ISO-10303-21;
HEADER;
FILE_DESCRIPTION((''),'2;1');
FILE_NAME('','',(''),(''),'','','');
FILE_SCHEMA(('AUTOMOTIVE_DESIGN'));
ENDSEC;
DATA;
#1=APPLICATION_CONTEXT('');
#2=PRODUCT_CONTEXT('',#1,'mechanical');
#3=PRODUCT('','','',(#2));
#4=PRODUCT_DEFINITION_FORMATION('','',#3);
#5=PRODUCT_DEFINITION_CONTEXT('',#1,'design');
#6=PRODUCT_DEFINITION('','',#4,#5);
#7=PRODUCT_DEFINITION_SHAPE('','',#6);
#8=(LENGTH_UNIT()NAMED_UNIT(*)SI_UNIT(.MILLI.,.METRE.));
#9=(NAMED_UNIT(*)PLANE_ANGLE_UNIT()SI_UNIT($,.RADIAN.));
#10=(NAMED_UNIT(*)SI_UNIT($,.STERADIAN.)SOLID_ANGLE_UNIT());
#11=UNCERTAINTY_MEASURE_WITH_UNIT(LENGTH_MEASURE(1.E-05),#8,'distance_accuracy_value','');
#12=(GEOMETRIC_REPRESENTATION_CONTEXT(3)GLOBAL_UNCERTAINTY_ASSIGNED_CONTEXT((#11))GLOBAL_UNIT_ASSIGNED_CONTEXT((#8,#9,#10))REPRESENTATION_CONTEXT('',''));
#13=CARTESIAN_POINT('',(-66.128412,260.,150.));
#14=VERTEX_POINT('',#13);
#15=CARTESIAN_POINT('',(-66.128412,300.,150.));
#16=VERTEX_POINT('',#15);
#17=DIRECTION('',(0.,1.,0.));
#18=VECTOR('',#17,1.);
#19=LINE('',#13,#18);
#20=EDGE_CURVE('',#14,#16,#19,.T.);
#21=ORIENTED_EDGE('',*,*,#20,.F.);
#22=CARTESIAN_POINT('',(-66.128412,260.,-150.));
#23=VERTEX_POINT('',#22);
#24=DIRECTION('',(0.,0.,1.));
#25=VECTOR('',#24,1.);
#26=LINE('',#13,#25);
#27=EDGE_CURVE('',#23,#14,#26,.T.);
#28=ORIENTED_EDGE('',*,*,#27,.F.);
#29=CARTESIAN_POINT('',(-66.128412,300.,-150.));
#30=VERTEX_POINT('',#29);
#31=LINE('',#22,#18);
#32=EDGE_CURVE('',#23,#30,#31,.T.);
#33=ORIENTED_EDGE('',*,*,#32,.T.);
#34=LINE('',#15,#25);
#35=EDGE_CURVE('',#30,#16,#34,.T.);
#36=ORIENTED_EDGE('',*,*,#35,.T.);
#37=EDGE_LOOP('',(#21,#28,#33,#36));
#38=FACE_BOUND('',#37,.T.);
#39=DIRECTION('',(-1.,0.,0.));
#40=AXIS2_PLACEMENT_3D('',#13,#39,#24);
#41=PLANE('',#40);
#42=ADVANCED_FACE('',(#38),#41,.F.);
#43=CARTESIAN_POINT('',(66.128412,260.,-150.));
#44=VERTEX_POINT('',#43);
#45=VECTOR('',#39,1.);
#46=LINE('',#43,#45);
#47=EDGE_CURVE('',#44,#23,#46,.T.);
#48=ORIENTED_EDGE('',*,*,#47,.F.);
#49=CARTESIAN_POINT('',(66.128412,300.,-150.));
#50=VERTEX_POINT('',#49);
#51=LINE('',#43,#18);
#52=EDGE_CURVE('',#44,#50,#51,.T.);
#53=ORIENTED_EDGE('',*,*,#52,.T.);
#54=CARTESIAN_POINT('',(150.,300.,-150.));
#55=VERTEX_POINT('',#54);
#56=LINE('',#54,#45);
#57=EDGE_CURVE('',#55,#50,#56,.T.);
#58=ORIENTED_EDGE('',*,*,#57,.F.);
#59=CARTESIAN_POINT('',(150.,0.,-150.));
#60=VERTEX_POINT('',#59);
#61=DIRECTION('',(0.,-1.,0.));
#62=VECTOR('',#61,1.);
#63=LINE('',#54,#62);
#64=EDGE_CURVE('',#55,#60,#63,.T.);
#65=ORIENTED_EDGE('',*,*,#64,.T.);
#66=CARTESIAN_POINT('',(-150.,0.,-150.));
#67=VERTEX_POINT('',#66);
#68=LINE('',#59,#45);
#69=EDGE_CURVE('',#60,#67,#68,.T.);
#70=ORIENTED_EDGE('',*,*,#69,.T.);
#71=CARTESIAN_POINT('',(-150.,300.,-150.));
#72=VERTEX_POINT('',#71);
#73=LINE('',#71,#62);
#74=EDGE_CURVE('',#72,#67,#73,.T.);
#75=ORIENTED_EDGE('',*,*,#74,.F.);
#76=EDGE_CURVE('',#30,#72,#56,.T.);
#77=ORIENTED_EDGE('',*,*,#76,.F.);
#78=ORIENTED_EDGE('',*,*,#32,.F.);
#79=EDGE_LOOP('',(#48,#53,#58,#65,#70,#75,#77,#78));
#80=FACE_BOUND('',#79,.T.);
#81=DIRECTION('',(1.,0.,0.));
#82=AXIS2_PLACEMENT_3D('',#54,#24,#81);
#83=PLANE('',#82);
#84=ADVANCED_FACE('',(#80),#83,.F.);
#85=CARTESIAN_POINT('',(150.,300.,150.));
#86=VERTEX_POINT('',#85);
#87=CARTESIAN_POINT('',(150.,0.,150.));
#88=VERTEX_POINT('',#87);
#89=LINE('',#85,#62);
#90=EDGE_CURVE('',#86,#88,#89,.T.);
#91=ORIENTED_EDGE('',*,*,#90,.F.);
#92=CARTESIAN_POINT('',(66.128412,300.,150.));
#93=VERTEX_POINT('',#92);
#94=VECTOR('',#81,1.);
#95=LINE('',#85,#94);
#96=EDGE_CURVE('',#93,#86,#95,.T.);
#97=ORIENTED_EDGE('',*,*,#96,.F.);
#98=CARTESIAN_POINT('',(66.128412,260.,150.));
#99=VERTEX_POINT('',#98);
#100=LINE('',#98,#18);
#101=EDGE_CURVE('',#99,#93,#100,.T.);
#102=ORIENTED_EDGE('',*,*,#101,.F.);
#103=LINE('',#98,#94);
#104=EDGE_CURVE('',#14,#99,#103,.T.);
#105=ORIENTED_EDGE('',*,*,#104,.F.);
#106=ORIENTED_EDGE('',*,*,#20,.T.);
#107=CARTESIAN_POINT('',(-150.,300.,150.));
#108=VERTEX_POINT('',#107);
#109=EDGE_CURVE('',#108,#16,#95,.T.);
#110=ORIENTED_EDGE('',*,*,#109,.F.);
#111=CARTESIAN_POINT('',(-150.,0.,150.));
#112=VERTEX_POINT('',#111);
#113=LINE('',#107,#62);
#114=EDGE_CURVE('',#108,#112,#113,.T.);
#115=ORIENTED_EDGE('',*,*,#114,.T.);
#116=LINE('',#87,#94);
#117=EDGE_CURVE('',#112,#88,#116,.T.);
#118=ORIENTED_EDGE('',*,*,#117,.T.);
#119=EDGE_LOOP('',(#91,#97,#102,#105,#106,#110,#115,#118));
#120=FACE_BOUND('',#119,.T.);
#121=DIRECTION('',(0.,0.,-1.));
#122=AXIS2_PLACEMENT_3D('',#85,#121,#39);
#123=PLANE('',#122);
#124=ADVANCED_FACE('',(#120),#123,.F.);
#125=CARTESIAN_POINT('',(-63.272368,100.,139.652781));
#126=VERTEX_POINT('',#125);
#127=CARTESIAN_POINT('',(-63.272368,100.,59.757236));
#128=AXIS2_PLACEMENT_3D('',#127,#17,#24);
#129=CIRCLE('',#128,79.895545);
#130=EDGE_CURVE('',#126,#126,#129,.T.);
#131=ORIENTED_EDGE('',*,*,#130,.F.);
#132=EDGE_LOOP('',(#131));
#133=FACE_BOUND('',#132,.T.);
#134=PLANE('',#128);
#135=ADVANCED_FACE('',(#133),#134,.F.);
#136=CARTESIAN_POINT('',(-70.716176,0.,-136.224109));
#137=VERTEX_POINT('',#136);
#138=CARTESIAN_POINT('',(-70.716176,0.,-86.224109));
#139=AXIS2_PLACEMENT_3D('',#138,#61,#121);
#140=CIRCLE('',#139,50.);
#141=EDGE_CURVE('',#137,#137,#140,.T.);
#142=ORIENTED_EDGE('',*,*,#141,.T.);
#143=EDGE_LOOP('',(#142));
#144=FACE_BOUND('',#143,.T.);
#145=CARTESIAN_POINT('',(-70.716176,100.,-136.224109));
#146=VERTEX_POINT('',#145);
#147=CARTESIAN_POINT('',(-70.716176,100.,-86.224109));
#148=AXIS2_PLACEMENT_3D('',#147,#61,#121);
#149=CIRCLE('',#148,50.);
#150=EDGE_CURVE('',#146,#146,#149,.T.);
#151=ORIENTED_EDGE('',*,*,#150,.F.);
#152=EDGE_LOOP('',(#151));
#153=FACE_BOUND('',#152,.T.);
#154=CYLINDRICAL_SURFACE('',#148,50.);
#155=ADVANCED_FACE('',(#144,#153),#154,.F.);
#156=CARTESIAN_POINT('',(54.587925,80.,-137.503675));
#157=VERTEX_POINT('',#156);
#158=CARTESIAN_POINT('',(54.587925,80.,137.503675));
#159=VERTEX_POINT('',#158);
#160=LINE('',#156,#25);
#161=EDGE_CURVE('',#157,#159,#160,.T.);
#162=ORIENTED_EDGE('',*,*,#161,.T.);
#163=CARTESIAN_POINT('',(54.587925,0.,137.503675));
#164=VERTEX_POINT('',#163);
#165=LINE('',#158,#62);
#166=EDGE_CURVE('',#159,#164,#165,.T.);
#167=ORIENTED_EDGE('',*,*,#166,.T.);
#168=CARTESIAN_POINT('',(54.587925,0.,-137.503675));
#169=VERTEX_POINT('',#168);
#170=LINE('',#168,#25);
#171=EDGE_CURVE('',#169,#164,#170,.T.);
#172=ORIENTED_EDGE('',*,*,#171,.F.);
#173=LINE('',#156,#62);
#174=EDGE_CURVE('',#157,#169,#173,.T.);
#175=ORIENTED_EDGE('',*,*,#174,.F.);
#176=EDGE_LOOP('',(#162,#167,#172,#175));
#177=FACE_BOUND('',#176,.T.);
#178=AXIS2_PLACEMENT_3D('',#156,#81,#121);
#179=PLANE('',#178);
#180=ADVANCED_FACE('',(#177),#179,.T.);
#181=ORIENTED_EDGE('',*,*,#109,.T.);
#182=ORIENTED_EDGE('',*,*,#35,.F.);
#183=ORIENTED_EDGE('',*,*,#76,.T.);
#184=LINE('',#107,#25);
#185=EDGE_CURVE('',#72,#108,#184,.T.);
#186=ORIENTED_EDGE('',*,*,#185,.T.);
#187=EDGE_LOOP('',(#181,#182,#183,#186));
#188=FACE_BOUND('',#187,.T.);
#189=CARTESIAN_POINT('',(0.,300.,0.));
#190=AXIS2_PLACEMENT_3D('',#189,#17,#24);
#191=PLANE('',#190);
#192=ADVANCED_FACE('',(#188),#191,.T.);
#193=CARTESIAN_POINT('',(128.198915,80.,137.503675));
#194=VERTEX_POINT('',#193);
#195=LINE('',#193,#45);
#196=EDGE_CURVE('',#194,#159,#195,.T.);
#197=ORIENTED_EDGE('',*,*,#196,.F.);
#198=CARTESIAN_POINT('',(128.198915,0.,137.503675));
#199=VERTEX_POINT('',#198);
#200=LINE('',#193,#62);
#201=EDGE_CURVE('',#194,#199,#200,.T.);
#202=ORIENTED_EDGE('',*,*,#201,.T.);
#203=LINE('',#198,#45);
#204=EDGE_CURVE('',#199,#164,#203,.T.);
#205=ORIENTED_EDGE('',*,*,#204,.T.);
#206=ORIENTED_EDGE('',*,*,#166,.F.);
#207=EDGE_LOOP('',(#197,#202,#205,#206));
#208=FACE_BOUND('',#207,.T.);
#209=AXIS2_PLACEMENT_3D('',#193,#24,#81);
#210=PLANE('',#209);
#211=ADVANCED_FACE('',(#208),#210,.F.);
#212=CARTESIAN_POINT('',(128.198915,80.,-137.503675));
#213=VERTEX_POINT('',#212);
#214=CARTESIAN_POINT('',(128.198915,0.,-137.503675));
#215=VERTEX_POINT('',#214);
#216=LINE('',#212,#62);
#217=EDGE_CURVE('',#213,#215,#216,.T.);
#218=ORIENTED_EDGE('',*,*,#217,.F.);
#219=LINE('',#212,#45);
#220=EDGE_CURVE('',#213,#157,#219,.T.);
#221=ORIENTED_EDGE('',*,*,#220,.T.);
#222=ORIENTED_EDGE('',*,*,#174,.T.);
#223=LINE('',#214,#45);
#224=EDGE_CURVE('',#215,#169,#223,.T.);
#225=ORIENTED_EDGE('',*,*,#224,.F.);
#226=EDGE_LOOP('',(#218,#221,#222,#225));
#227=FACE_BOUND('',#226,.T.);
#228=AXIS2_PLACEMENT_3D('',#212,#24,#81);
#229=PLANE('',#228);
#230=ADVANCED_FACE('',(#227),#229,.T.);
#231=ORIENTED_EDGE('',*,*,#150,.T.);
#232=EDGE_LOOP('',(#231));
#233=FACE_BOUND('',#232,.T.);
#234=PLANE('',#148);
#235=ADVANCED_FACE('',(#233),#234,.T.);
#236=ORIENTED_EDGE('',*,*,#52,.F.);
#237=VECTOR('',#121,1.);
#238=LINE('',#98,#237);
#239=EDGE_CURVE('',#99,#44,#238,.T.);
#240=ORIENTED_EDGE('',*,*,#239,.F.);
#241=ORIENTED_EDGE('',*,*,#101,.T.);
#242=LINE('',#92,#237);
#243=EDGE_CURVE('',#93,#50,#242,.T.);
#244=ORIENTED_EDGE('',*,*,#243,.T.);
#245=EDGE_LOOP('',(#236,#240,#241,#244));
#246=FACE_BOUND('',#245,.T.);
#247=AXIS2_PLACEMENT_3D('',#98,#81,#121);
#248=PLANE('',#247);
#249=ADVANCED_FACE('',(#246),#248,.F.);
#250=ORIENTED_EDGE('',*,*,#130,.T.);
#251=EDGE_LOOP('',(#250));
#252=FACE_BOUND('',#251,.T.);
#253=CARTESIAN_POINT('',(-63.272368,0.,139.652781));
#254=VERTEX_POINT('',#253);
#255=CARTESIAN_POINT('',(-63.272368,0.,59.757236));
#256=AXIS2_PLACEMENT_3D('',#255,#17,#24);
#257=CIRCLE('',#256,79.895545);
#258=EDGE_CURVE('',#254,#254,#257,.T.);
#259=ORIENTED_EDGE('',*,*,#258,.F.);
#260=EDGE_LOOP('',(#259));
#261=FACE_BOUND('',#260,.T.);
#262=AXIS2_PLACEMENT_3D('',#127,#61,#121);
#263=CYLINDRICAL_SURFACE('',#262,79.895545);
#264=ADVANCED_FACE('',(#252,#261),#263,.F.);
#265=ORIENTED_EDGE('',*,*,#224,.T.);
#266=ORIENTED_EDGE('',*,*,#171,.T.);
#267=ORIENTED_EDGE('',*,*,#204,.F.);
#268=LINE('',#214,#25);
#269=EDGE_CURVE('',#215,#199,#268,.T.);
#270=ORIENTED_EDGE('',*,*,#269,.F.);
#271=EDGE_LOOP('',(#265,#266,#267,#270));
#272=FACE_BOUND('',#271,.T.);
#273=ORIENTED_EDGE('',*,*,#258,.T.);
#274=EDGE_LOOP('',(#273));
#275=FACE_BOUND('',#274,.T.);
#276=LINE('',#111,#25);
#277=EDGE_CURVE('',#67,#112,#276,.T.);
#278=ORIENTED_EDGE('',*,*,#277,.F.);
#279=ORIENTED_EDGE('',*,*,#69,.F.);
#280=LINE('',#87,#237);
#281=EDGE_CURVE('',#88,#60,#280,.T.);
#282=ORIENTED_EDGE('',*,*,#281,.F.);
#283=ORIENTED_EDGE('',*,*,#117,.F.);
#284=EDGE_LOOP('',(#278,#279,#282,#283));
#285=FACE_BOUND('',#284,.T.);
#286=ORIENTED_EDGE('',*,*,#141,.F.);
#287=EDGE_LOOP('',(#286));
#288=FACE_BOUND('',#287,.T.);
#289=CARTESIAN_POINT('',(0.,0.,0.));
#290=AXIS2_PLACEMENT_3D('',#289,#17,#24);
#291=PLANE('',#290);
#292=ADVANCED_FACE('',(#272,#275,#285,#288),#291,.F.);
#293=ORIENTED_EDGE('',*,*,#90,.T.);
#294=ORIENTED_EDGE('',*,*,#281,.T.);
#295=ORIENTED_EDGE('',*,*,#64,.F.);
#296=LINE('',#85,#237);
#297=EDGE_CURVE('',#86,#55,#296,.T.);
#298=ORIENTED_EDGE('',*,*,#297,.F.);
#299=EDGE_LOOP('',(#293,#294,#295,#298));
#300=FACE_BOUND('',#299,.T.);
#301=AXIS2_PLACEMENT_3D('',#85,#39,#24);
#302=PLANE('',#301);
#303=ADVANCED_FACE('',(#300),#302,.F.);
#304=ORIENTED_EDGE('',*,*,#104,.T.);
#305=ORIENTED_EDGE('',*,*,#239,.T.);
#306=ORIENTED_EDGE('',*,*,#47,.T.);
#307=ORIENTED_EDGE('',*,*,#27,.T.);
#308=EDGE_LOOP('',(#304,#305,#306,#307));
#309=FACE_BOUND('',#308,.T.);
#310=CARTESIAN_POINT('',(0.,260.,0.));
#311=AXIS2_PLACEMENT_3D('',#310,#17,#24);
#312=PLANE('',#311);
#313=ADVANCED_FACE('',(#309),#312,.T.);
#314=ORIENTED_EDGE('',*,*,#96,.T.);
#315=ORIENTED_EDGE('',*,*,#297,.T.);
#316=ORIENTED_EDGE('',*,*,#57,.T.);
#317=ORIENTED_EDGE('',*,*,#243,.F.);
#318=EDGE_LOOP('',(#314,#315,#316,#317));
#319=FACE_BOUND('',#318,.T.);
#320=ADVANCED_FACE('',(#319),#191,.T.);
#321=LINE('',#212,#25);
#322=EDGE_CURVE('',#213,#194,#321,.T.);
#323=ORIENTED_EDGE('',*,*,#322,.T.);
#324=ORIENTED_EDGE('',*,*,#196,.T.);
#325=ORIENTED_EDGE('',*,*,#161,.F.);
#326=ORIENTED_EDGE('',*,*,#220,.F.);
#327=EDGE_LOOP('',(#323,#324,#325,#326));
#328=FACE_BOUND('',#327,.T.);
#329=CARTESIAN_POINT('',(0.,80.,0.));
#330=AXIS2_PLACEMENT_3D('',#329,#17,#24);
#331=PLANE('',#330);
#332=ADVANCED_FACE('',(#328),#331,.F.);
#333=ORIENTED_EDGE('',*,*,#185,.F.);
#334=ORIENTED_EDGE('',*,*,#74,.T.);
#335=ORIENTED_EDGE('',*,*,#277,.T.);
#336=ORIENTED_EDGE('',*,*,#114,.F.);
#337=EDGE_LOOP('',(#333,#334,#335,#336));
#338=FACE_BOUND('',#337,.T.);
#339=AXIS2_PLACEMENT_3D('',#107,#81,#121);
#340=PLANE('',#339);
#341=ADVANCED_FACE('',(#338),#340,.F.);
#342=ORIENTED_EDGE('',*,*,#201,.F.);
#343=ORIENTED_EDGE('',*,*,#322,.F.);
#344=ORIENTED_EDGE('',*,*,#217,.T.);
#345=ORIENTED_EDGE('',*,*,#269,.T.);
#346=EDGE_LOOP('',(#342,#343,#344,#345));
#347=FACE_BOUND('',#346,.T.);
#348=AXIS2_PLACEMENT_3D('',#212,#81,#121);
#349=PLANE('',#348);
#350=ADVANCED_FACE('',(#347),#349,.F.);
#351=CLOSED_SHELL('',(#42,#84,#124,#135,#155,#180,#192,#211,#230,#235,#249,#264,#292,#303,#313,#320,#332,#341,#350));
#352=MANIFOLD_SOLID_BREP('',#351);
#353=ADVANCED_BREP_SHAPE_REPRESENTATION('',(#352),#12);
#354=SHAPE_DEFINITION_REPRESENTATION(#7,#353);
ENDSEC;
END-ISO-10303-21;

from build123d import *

# Parameters (mm, degrees)
SKETCH1_W           = 300
SKETCH1_H           = 300
BOSS_EXTRUDE1_DEPTH = 300
SKETCH3_R           = 79.895545122
CUT_EXTRUDE1_DEPTH  = 100
SKETCH8_R           = 50
CUT_EXTRUDE3_DEPTH  = 100
SKETCH9_W           = 73.610989956
SKETCH9_H           = 275.007350114
CUT_EXTRUDE4_DEPTH  = 80
SKETCH11_W          = 132.256824298
SKETCH11_H          = 300
CUT_EXTRUDE6_DEPTH  = 40


with BuildPart() as part:
    # Sketch1 → Boss-Extrude1 (new body)
    with BuildSketch(Plane(origin=(0, 0, 0), x_dir=(1, 0, 0), z_dir=(0, 1, 0))):
        Rectangle(SKETCH1_W, SKETCH1_H)
    extrude(amount=BOSS_EXTRUDE1_DEPTH)

    # Sketch3 → Cut-Extrude1 (cut)
    with BuildSketch(Plane(origin=(0, 0, 0), x_dir=(1, 0, 0), z_dir=(0, 1, 0))):
        with Locations(Location((-63.272367771, -59.757236228, 0), (0, 0, 270))):
            Circle(SKETCH3_R)
    extrude(amount=CUT_EXTRUDE1_DEPTH, mode=Mode.SUBTRACT)

    # Sketch8 → Cut-Extrude3 (cut)
    with BuildSketch(Plane.XZ):
        with Locations(Location((-70.716175744, -86.224109021, 0), (0, 0, 270))):
            Circle(SKETCH8_R)
    extrude(amount=-CUT_EXTRUDE3_DEPTH, mode=Mode.SUBTRACT)

    # Sketch9 → Cut-Extrude4 (cut)
    with BuildSketch(Plane.XZ):
        with Locations((91.393420113, 0)):
            Rectangle(SKETCH9_W, SKETCH9_H)
    extrude(amount=-CUT_EXTRUDE4_DEPTH, mode=Mode.SUBTRACT)

    # Sketch11 → Cut-Extrude6 (cut)
    with BuildSketch(Plane(origin=(0, 300, 0), x_dir=(1, 0, 0), z_dir=(0, 1, 0))):
        Rectangle(SKETCH11_W, SKETCH11_H)
    extrude(amount=-CUT_EXTRUDE6_DEPTH, mode=Mode.SUBTRACT)


solid = part.part
